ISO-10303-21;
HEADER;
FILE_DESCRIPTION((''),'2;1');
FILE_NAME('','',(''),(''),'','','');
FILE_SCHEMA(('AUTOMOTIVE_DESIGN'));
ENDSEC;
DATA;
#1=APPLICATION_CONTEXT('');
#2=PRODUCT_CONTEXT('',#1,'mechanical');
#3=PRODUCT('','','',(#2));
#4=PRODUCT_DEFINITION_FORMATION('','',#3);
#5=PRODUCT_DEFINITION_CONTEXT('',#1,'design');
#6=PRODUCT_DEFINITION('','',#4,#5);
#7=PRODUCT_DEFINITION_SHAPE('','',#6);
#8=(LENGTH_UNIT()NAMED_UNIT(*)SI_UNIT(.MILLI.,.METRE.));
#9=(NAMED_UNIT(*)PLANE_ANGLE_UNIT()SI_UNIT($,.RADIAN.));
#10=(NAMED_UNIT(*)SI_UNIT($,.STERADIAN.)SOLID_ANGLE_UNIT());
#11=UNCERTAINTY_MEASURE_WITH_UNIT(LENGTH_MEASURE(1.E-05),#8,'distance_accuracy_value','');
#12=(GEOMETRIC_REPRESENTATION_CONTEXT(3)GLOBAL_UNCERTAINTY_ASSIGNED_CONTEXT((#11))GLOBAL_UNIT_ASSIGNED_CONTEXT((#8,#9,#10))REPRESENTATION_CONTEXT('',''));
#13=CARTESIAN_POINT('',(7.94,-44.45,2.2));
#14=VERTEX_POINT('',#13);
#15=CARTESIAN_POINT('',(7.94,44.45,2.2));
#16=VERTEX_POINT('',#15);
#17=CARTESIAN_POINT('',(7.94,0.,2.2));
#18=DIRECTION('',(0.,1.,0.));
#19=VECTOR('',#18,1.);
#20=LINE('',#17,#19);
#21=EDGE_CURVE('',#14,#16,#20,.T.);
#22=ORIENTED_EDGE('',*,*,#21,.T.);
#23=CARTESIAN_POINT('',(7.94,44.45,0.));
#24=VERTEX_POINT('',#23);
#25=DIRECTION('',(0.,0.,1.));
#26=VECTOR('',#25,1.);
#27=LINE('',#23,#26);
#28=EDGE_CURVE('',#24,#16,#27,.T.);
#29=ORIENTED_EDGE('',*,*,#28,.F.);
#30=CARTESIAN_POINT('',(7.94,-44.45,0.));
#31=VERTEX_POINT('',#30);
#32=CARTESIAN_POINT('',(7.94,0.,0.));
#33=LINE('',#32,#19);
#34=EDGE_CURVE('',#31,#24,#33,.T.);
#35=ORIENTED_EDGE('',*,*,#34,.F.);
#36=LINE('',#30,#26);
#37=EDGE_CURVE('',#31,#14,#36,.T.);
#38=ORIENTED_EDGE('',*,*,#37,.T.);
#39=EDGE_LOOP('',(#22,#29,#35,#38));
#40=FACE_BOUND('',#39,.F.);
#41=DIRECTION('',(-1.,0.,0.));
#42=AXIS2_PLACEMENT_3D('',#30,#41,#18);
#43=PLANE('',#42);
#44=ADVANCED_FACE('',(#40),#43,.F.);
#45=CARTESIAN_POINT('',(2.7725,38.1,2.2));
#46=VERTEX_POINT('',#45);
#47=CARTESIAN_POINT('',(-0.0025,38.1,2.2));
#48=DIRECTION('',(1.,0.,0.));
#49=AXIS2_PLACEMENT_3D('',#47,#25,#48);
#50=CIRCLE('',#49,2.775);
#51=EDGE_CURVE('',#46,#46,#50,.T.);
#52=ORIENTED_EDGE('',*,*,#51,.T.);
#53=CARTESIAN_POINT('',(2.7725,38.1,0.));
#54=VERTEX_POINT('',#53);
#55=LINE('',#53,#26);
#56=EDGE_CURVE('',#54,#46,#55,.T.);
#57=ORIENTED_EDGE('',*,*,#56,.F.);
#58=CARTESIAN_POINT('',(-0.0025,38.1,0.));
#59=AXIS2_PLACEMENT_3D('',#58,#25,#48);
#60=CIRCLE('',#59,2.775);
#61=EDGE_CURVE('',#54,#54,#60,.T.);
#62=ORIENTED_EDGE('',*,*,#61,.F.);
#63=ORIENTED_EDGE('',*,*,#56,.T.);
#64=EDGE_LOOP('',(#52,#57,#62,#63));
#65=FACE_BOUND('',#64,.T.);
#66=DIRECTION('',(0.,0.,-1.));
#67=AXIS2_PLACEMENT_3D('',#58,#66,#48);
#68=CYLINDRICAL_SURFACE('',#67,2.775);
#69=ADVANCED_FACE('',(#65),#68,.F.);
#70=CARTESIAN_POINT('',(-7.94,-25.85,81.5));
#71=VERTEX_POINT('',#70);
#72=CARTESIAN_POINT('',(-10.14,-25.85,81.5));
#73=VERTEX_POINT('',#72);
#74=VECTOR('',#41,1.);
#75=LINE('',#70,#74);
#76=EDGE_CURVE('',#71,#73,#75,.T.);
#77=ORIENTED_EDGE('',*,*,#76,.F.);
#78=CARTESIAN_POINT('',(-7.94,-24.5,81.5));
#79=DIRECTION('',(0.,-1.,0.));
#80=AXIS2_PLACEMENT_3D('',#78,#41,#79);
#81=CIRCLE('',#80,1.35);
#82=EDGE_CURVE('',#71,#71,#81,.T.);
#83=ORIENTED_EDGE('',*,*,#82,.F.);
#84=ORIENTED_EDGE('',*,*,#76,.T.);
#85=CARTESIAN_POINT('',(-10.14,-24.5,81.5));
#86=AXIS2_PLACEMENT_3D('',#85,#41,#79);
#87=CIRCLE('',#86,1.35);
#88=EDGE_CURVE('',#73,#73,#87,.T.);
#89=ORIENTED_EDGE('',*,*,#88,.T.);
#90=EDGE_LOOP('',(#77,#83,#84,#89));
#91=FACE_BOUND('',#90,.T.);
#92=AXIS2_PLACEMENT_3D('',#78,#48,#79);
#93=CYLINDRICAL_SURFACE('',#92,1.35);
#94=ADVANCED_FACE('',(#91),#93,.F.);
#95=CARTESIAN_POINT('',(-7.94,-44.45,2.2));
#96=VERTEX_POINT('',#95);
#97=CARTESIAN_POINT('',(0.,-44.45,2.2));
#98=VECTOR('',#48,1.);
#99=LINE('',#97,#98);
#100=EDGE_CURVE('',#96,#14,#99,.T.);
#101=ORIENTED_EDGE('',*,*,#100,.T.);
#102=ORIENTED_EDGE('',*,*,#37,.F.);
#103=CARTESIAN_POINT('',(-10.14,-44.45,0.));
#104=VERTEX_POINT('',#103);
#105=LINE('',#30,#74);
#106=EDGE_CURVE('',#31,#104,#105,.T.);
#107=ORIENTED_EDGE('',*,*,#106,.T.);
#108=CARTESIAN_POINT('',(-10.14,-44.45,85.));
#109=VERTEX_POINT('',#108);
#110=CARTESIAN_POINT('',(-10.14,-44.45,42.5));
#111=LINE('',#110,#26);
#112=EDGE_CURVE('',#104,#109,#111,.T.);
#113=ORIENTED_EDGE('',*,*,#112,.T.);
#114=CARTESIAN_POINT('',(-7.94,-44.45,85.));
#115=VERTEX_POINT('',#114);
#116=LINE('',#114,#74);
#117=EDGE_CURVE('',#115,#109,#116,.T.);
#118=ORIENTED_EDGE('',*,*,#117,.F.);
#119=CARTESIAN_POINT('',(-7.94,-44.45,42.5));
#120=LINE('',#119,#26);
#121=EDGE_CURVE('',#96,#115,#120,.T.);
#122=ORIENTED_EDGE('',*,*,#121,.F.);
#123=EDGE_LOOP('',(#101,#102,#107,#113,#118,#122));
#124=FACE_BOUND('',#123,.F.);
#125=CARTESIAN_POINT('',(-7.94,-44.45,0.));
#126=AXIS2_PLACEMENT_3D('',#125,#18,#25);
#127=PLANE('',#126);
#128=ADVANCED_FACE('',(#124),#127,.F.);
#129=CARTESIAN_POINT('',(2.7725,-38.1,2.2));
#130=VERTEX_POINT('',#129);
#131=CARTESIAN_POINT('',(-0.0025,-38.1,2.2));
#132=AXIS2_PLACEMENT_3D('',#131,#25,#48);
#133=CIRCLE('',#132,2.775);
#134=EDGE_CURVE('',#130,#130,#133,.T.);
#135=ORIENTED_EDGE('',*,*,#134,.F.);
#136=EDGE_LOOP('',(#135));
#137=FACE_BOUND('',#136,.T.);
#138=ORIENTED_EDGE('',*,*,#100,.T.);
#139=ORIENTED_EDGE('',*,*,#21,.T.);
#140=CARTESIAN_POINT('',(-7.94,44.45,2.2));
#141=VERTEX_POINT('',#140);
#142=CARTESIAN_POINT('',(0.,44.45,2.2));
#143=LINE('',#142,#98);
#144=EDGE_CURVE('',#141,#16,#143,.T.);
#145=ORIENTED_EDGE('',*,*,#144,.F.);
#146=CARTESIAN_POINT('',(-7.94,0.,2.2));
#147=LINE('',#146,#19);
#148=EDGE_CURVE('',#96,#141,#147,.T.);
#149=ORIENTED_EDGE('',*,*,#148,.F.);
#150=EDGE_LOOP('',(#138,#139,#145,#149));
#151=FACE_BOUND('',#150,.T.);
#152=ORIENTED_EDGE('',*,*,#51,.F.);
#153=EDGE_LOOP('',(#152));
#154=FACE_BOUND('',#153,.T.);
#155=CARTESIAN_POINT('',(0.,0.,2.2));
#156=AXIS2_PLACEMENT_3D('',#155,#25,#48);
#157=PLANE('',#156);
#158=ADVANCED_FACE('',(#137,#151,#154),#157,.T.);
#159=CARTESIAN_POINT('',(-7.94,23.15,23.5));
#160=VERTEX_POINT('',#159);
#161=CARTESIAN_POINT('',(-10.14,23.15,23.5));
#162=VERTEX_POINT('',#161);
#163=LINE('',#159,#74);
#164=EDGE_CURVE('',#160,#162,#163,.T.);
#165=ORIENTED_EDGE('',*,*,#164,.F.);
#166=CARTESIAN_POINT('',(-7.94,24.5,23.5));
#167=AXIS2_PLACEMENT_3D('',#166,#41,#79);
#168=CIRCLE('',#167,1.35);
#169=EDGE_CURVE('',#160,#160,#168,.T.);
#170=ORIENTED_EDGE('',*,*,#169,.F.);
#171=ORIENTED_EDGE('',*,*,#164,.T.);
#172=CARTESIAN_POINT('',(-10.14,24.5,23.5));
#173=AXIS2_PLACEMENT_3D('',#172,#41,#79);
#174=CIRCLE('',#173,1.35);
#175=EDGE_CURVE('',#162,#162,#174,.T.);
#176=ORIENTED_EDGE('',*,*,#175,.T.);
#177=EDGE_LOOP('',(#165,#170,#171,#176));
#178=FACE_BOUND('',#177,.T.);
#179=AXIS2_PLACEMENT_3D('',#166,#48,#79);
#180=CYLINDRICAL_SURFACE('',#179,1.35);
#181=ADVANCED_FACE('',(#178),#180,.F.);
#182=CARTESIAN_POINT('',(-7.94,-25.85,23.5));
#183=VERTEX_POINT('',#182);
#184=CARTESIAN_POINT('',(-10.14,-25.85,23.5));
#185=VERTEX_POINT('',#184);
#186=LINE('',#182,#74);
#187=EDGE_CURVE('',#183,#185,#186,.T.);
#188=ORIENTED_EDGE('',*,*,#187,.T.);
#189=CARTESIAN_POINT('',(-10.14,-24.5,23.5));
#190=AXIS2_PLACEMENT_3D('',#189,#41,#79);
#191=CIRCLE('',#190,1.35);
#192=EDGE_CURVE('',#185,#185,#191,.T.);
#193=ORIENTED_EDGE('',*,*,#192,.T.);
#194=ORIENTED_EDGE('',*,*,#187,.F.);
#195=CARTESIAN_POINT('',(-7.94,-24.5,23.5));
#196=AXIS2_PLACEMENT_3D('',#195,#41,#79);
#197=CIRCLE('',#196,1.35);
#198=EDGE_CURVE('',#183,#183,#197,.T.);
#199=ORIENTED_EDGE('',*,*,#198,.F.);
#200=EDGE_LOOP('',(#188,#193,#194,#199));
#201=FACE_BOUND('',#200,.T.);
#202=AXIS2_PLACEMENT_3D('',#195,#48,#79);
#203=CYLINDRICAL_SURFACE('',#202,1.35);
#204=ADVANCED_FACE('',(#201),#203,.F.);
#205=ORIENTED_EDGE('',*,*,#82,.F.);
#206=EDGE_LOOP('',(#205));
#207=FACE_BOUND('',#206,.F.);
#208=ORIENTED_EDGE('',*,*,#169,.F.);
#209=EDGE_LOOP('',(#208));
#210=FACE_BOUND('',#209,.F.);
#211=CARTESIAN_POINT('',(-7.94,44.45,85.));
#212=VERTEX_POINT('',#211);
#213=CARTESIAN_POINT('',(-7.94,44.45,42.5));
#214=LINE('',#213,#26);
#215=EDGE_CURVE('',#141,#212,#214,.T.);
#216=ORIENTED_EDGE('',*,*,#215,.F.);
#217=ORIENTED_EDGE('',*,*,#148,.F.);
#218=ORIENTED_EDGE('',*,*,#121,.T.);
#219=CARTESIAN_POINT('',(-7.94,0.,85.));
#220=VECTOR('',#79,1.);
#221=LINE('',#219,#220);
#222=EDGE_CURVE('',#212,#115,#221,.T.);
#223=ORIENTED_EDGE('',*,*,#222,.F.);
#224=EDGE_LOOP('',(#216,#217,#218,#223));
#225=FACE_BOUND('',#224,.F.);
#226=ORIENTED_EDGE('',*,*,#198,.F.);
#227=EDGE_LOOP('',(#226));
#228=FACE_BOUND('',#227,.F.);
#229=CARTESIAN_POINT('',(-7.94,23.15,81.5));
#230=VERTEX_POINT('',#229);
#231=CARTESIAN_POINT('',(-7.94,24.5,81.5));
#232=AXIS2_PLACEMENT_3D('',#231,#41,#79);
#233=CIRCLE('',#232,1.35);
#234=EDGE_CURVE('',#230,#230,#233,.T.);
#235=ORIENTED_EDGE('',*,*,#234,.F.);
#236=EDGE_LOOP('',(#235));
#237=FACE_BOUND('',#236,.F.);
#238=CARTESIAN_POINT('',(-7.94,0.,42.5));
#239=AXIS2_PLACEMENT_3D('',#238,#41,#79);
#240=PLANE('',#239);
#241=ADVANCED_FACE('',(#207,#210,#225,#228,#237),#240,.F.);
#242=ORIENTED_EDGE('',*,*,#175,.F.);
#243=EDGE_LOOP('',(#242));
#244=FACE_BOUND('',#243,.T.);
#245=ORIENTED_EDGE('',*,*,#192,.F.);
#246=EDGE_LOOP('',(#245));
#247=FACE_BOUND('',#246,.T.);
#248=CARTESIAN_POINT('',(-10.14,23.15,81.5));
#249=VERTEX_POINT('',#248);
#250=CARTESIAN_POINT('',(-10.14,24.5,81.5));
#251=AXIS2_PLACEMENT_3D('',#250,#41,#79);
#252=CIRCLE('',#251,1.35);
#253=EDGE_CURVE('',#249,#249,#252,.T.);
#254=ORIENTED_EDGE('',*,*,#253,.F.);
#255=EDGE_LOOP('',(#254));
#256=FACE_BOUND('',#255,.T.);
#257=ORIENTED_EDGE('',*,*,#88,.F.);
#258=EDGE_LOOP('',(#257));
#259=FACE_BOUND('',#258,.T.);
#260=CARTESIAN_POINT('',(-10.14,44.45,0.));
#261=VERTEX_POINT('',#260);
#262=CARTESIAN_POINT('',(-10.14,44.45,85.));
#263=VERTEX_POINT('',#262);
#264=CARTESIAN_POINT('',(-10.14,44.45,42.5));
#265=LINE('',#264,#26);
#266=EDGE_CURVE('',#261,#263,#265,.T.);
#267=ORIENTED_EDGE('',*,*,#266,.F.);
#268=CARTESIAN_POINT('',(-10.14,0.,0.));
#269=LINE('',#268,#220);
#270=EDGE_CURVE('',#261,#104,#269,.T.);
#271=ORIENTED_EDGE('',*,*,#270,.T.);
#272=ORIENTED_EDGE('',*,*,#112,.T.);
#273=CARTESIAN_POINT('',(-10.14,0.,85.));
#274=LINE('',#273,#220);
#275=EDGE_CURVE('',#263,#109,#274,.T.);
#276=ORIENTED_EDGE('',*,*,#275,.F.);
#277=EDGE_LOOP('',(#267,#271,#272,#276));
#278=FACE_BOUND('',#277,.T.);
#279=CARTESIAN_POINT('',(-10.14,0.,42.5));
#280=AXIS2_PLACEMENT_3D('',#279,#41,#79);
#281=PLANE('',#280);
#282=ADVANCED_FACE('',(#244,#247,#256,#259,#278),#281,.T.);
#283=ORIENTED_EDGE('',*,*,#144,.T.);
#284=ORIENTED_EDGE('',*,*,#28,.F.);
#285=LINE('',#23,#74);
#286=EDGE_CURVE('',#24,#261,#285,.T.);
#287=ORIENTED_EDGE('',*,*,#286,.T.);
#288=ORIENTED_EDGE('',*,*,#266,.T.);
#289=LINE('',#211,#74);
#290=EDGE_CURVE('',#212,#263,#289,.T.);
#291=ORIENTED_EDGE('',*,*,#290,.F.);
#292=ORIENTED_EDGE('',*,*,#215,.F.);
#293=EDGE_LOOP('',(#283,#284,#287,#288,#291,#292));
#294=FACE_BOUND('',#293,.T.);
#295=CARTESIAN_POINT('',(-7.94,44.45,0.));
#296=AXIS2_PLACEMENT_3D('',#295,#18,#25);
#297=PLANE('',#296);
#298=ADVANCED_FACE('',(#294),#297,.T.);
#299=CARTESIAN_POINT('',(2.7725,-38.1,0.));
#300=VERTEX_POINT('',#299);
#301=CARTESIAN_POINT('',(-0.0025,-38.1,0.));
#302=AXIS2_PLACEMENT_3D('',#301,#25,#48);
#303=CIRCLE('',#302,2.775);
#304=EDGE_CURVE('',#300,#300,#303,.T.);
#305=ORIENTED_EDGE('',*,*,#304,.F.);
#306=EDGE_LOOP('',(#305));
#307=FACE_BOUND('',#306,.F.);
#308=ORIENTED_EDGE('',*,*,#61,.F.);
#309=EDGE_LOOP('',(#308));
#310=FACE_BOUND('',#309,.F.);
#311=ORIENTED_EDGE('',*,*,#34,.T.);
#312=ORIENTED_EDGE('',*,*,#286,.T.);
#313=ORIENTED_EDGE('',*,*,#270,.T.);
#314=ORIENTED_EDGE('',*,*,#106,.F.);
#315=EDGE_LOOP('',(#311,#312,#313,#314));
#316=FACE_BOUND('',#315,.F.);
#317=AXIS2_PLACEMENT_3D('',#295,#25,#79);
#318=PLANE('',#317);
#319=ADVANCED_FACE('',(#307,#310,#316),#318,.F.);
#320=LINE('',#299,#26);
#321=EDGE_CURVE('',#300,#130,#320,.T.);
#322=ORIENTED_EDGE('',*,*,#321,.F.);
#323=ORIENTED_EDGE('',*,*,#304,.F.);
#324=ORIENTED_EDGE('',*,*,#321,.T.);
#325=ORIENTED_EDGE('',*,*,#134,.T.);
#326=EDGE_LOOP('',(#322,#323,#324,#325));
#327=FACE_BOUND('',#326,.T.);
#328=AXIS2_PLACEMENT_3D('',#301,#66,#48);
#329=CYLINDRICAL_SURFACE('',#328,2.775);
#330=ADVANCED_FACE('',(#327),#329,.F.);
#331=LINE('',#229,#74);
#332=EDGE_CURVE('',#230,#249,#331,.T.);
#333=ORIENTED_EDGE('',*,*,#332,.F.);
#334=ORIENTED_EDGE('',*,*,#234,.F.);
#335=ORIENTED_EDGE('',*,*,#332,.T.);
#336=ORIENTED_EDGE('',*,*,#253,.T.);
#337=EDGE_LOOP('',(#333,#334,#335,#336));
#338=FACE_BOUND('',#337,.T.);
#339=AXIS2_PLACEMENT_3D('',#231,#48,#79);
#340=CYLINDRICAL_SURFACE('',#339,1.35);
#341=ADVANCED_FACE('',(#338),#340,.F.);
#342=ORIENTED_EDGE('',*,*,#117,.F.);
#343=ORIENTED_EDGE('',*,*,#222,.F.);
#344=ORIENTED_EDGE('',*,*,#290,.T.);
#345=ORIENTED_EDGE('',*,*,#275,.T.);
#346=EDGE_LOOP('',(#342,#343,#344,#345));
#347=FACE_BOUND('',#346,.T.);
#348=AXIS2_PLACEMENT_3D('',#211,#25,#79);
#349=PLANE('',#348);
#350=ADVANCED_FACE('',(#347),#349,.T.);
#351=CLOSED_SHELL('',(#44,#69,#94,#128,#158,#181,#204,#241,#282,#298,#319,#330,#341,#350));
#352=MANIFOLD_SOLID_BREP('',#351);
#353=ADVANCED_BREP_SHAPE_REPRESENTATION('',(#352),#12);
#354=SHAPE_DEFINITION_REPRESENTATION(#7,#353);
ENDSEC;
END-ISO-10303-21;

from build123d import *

# Parameters (mm, degrees)
SKETCH_W     = 15.88
SKETCH_H     = 88.9
SKETCH_R     = 2.775
PAD_DEPTH    = 2.2
SKETCH001_W  = 88.9
SKETCH001_H  = 85
SKETCH001_R  = 1.35
PAD001_DEPTH = 2.2


with BuildPart() as part:
    # Sketch → Pad (new body)
    with BuildSketch(Plane.XY):
        Rectangle(SKETCH_W, SKETCH_H)
        with Locations((-0.0025, 38.1)):
            Circle(SKETCH_R, mode=Mode.SUBTRACT)
        with Locations((-0.0025, -38.1)):
            Circle(SKETCH_R, mode=Mode.SUBTRACT)
    extrude(amount=PAD_DEPTH)

    # Sketch001 (on Face4 of Pad) → Pad001 (join)
    with BuildSketch(Plane(origin=(-7.94, 0, 0), x_dir=(0, -1, 0), z_dir=(-1, 0, 0))):
        with Locations((0, 42.5)):
            Rectangle(SKETCH001_W, SKETCH001_H)
        with Locations((-24.5, 23.5)):
            Circle(SKETCH001_R, mode=Mode.SUBTRACT)
        with Locations((24.5, 23.5)):
            Circle(SKETCH001_R, mode=Mode.SUBTRACT)
        with Locations((24.5, 81.5)):
            Circle(SKETCH001_R, mode=Mode.SUBTRACT)
        with Locations((-24.5, 81.5)):
            Circle(SKETCH001_R, mode=Mode.SUBTRACT)
    extrude(amount=PAD001_DEPTH)


solid = part.part
